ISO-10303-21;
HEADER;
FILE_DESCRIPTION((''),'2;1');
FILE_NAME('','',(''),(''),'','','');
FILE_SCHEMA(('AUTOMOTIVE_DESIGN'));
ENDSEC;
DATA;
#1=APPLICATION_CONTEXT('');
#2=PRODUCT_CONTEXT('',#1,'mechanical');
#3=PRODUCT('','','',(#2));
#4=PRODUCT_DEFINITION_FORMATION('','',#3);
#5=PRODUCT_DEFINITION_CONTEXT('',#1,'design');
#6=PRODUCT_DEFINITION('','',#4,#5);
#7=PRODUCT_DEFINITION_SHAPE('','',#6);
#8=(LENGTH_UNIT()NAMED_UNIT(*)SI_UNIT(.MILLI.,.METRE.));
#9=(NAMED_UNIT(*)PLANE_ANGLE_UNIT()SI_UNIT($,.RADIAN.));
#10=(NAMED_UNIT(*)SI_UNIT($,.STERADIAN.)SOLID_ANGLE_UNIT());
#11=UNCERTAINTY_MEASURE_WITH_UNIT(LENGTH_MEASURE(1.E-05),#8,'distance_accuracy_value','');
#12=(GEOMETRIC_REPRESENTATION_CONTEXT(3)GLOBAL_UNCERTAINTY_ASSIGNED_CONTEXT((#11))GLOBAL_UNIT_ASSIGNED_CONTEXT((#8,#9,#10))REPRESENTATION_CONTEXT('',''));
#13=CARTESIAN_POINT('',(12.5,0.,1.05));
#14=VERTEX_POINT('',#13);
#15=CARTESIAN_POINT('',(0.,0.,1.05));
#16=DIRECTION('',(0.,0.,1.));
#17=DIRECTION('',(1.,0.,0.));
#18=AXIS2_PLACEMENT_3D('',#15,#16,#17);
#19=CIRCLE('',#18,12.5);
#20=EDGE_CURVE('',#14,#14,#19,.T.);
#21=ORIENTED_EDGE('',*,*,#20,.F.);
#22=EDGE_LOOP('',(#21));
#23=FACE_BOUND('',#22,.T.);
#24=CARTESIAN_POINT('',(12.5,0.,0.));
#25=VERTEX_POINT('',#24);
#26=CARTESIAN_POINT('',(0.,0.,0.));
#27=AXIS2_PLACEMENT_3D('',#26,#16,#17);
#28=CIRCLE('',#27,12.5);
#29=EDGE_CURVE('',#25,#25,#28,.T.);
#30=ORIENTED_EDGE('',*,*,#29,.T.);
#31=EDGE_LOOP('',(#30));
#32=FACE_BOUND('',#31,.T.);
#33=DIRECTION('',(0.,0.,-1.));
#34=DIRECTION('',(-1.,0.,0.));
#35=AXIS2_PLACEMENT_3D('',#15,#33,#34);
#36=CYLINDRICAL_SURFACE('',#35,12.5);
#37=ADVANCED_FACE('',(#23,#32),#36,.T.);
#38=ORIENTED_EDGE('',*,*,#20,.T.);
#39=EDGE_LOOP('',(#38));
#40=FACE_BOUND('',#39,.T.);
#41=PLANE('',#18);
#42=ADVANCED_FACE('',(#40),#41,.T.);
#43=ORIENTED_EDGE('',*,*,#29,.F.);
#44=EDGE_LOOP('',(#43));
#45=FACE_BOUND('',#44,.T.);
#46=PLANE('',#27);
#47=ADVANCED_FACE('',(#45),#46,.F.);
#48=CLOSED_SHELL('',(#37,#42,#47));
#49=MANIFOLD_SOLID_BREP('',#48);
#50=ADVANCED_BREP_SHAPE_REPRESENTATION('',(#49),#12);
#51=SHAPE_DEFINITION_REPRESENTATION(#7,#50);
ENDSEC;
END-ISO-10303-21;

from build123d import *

# Parameters (mm, degrees)
SKETCH_1_R      = 12.5
EXTRUDE_1_DEPTH = 1.05


with BuildPart() as part:
    # 草图1 → 凸台-拉伸1 (new body)
    with BuildSketch(Plane.XY):
        Circle(SKETCH_1_R)
    extrude(amount=EXTRUDE_1_DEPTH)


solid = part.part
